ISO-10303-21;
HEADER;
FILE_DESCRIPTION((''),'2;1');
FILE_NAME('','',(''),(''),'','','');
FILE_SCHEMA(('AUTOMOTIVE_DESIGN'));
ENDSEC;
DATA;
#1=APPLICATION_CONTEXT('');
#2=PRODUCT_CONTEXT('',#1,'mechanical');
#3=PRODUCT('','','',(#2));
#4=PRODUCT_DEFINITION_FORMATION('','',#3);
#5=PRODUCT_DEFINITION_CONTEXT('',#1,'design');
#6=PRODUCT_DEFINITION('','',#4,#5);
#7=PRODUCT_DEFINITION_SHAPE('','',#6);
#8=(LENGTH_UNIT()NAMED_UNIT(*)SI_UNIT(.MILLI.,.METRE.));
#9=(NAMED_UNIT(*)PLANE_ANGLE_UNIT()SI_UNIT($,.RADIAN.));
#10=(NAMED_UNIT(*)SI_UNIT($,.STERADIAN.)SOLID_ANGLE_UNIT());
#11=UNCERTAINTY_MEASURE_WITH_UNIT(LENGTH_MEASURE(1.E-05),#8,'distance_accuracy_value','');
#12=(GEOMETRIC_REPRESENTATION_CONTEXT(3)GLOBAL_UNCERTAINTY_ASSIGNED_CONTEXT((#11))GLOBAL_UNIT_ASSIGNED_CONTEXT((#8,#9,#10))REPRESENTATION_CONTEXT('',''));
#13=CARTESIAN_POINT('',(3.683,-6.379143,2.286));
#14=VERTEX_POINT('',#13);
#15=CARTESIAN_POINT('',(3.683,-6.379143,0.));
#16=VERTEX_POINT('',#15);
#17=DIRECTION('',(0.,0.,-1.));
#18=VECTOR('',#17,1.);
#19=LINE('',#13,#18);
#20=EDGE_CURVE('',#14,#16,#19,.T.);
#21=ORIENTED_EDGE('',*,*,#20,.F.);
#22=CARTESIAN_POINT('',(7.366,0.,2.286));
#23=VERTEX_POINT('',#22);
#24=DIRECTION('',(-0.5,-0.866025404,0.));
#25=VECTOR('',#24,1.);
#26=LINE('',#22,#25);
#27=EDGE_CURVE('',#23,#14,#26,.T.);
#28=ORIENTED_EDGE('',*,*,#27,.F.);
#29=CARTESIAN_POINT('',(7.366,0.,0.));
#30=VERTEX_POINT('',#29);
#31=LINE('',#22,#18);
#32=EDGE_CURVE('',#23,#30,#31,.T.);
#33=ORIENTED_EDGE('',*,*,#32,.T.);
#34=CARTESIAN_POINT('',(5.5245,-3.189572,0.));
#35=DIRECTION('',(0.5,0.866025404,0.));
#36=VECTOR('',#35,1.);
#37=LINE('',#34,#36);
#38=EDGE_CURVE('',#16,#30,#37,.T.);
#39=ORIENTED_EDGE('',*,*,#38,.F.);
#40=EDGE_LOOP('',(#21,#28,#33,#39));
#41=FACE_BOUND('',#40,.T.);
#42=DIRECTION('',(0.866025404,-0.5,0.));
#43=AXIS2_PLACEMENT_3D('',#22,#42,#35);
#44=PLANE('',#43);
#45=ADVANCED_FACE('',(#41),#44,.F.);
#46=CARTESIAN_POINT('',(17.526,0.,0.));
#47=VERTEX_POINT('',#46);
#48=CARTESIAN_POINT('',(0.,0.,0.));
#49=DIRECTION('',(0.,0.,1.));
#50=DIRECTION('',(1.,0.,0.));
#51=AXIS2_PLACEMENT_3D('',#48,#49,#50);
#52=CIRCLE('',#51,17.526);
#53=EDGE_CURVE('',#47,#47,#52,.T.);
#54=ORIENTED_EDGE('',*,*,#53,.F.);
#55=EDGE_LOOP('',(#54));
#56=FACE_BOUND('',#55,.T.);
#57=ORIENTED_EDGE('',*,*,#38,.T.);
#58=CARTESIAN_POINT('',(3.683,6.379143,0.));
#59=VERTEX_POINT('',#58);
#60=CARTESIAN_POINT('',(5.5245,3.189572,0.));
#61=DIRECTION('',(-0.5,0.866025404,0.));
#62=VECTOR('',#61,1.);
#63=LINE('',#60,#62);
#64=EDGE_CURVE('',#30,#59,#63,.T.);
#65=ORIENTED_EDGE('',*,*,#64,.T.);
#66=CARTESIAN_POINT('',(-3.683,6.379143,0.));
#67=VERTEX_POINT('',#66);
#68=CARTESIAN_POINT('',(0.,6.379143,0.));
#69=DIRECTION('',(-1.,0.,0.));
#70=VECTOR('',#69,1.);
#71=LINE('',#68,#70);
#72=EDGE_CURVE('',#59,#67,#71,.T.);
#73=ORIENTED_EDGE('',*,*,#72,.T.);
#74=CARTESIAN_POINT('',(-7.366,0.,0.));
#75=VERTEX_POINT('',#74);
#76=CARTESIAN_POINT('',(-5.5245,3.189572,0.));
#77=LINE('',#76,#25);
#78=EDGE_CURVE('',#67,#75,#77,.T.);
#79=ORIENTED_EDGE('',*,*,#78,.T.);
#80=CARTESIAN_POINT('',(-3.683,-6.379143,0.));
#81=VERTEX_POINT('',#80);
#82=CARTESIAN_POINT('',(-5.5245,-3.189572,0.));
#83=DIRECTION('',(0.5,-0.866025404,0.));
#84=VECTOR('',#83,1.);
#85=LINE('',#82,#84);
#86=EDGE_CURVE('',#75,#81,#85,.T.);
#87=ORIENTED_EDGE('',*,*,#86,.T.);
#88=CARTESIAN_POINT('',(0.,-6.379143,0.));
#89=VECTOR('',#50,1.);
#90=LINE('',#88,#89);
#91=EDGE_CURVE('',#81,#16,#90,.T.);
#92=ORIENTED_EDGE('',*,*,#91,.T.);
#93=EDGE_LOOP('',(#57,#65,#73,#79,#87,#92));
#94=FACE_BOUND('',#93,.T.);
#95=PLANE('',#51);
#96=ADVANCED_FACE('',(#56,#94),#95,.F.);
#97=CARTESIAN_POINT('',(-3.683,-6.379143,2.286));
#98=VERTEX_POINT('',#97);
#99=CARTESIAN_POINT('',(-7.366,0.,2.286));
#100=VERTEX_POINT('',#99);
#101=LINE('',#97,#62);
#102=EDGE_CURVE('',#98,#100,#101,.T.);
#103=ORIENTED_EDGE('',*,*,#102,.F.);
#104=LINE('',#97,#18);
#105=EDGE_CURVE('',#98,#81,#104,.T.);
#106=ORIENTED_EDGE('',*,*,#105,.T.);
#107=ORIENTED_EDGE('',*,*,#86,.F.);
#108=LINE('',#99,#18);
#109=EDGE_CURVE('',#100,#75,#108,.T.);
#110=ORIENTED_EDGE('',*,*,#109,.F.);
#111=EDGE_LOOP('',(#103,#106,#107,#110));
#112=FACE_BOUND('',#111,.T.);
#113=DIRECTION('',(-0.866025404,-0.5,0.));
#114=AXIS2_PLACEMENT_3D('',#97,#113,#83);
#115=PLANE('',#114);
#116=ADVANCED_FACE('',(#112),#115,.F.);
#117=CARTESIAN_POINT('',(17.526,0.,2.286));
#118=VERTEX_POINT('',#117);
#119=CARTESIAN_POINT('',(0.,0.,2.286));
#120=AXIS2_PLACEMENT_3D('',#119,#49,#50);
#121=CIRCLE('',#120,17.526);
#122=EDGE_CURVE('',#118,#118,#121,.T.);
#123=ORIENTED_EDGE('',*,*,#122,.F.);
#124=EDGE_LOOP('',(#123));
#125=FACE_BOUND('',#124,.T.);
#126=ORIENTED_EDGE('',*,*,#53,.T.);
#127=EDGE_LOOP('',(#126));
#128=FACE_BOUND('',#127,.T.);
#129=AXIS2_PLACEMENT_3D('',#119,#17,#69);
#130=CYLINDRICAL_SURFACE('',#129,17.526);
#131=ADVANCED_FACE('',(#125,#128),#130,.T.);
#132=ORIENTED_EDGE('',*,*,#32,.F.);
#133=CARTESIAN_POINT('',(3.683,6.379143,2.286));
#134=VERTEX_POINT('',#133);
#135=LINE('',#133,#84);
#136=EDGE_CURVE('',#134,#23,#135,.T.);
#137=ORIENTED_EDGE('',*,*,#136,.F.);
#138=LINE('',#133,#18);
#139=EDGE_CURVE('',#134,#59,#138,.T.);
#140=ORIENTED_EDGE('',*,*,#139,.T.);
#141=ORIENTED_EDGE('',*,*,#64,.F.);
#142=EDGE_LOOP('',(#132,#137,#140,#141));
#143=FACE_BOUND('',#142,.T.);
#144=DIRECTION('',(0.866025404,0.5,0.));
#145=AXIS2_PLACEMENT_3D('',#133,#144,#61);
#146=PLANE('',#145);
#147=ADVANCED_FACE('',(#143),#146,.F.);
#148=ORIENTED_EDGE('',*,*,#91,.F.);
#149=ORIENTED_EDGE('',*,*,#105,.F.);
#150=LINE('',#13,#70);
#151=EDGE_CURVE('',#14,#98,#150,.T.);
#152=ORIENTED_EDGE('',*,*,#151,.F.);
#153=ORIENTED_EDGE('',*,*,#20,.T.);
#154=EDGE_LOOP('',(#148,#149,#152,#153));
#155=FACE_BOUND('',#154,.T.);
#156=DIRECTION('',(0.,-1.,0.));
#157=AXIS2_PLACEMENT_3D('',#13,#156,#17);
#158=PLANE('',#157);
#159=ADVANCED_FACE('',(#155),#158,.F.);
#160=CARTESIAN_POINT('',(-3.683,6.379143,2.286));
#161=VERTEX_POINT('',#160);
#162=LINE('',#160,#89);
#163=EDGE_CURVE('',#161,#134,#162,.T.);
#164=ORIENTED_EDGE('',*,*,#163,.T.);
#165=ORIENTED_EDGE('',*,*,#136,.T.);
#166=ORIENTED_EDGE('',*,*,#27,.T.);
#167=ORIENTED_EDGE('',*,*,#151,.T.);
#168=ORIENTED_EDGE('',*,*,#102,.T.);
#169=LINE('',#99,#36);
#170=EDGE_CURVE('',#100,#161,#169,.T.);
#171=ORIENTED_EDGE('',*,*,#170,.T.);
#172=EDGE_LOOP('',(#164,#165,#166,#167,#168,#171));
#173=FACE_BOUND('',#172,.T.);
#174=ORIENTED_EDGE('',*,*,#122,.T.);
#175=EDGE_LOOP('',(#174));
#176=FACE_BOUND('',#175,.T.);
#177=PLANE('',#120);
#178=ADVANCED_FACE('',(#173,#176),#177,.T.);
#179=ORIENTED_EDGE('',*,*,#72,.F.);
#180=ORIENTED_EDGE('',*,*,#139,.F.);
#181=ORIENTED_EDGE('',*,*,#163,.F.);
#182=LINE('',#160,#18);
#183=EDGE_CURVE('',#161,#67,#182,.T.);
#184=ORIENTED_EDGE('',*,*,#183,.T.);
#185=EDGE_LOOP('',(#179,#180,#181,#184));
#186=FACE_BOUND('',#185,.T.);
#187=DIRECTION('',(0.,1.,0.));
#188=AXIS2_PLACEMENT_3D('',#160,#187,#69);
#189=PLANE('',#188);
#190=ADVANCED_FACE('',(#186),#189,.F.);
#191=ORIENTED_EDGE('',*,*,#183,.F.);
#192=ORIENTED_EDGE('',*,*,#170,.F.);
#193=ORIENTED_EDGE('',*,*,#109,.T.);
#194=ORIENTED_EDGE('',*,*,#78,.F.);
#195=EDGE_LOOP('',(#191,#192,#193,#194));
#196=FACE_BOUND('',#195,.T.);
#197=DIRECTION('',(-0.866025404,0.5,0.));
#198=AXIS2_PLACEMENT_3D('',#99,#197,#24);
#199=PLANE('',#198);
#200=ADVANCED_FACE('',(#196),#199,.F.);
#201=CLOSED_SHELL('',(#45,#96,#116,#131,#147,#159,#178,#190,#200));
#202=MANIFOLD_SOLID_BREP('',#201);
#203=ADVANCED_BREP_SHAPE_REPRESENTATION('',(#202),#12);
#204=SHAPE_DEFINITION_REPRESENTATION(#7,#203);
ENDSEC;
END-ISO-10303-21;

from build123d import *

# Parameters (mm, degrees)
SKETCH1_R               = 17.526
BOSS_EXTRUDE1_DEPTH     = 2.286
CUT_EXTRUDE1_DEPTH      = 25.890704048
CUT_EXTRUDE1_DEPTH_BACK = 25.890704048


with BuildPart() as part:
    # Sketch1 → Boss-Extrude1 (new body)
    with BuildSketch(Plane.XY):
        Circle(SKETCH1_R)
    extrude(amount=BOSS_EXTRUDE1_DEPTH)

    # Sketch2 → Cut-Extrude1 (cut, two sides: drawn at the far end of the back side and taken through both)
    with BuildSketch(Plane(origin=(0, 0, 0), x_dir=(-1, 0, 0), z_dir=(0, 0, -1)).offset(-CUT_EXTRUDE1_DEPTH_BACK)):
        Polygon((3.683, 6.379143124), (-3.683, 6.379143124), (-7.366, 0), (-3.683, -6.379143124), (3.683, -6.379143124), (7.366, 0), align=None)
    extrude(amount=CUT_EXTRUDE1_DEPTH + CUT_EXTRUDE1_DEPTH_BACK, mode=Mode.SUBTRACT)


solid = part.part
